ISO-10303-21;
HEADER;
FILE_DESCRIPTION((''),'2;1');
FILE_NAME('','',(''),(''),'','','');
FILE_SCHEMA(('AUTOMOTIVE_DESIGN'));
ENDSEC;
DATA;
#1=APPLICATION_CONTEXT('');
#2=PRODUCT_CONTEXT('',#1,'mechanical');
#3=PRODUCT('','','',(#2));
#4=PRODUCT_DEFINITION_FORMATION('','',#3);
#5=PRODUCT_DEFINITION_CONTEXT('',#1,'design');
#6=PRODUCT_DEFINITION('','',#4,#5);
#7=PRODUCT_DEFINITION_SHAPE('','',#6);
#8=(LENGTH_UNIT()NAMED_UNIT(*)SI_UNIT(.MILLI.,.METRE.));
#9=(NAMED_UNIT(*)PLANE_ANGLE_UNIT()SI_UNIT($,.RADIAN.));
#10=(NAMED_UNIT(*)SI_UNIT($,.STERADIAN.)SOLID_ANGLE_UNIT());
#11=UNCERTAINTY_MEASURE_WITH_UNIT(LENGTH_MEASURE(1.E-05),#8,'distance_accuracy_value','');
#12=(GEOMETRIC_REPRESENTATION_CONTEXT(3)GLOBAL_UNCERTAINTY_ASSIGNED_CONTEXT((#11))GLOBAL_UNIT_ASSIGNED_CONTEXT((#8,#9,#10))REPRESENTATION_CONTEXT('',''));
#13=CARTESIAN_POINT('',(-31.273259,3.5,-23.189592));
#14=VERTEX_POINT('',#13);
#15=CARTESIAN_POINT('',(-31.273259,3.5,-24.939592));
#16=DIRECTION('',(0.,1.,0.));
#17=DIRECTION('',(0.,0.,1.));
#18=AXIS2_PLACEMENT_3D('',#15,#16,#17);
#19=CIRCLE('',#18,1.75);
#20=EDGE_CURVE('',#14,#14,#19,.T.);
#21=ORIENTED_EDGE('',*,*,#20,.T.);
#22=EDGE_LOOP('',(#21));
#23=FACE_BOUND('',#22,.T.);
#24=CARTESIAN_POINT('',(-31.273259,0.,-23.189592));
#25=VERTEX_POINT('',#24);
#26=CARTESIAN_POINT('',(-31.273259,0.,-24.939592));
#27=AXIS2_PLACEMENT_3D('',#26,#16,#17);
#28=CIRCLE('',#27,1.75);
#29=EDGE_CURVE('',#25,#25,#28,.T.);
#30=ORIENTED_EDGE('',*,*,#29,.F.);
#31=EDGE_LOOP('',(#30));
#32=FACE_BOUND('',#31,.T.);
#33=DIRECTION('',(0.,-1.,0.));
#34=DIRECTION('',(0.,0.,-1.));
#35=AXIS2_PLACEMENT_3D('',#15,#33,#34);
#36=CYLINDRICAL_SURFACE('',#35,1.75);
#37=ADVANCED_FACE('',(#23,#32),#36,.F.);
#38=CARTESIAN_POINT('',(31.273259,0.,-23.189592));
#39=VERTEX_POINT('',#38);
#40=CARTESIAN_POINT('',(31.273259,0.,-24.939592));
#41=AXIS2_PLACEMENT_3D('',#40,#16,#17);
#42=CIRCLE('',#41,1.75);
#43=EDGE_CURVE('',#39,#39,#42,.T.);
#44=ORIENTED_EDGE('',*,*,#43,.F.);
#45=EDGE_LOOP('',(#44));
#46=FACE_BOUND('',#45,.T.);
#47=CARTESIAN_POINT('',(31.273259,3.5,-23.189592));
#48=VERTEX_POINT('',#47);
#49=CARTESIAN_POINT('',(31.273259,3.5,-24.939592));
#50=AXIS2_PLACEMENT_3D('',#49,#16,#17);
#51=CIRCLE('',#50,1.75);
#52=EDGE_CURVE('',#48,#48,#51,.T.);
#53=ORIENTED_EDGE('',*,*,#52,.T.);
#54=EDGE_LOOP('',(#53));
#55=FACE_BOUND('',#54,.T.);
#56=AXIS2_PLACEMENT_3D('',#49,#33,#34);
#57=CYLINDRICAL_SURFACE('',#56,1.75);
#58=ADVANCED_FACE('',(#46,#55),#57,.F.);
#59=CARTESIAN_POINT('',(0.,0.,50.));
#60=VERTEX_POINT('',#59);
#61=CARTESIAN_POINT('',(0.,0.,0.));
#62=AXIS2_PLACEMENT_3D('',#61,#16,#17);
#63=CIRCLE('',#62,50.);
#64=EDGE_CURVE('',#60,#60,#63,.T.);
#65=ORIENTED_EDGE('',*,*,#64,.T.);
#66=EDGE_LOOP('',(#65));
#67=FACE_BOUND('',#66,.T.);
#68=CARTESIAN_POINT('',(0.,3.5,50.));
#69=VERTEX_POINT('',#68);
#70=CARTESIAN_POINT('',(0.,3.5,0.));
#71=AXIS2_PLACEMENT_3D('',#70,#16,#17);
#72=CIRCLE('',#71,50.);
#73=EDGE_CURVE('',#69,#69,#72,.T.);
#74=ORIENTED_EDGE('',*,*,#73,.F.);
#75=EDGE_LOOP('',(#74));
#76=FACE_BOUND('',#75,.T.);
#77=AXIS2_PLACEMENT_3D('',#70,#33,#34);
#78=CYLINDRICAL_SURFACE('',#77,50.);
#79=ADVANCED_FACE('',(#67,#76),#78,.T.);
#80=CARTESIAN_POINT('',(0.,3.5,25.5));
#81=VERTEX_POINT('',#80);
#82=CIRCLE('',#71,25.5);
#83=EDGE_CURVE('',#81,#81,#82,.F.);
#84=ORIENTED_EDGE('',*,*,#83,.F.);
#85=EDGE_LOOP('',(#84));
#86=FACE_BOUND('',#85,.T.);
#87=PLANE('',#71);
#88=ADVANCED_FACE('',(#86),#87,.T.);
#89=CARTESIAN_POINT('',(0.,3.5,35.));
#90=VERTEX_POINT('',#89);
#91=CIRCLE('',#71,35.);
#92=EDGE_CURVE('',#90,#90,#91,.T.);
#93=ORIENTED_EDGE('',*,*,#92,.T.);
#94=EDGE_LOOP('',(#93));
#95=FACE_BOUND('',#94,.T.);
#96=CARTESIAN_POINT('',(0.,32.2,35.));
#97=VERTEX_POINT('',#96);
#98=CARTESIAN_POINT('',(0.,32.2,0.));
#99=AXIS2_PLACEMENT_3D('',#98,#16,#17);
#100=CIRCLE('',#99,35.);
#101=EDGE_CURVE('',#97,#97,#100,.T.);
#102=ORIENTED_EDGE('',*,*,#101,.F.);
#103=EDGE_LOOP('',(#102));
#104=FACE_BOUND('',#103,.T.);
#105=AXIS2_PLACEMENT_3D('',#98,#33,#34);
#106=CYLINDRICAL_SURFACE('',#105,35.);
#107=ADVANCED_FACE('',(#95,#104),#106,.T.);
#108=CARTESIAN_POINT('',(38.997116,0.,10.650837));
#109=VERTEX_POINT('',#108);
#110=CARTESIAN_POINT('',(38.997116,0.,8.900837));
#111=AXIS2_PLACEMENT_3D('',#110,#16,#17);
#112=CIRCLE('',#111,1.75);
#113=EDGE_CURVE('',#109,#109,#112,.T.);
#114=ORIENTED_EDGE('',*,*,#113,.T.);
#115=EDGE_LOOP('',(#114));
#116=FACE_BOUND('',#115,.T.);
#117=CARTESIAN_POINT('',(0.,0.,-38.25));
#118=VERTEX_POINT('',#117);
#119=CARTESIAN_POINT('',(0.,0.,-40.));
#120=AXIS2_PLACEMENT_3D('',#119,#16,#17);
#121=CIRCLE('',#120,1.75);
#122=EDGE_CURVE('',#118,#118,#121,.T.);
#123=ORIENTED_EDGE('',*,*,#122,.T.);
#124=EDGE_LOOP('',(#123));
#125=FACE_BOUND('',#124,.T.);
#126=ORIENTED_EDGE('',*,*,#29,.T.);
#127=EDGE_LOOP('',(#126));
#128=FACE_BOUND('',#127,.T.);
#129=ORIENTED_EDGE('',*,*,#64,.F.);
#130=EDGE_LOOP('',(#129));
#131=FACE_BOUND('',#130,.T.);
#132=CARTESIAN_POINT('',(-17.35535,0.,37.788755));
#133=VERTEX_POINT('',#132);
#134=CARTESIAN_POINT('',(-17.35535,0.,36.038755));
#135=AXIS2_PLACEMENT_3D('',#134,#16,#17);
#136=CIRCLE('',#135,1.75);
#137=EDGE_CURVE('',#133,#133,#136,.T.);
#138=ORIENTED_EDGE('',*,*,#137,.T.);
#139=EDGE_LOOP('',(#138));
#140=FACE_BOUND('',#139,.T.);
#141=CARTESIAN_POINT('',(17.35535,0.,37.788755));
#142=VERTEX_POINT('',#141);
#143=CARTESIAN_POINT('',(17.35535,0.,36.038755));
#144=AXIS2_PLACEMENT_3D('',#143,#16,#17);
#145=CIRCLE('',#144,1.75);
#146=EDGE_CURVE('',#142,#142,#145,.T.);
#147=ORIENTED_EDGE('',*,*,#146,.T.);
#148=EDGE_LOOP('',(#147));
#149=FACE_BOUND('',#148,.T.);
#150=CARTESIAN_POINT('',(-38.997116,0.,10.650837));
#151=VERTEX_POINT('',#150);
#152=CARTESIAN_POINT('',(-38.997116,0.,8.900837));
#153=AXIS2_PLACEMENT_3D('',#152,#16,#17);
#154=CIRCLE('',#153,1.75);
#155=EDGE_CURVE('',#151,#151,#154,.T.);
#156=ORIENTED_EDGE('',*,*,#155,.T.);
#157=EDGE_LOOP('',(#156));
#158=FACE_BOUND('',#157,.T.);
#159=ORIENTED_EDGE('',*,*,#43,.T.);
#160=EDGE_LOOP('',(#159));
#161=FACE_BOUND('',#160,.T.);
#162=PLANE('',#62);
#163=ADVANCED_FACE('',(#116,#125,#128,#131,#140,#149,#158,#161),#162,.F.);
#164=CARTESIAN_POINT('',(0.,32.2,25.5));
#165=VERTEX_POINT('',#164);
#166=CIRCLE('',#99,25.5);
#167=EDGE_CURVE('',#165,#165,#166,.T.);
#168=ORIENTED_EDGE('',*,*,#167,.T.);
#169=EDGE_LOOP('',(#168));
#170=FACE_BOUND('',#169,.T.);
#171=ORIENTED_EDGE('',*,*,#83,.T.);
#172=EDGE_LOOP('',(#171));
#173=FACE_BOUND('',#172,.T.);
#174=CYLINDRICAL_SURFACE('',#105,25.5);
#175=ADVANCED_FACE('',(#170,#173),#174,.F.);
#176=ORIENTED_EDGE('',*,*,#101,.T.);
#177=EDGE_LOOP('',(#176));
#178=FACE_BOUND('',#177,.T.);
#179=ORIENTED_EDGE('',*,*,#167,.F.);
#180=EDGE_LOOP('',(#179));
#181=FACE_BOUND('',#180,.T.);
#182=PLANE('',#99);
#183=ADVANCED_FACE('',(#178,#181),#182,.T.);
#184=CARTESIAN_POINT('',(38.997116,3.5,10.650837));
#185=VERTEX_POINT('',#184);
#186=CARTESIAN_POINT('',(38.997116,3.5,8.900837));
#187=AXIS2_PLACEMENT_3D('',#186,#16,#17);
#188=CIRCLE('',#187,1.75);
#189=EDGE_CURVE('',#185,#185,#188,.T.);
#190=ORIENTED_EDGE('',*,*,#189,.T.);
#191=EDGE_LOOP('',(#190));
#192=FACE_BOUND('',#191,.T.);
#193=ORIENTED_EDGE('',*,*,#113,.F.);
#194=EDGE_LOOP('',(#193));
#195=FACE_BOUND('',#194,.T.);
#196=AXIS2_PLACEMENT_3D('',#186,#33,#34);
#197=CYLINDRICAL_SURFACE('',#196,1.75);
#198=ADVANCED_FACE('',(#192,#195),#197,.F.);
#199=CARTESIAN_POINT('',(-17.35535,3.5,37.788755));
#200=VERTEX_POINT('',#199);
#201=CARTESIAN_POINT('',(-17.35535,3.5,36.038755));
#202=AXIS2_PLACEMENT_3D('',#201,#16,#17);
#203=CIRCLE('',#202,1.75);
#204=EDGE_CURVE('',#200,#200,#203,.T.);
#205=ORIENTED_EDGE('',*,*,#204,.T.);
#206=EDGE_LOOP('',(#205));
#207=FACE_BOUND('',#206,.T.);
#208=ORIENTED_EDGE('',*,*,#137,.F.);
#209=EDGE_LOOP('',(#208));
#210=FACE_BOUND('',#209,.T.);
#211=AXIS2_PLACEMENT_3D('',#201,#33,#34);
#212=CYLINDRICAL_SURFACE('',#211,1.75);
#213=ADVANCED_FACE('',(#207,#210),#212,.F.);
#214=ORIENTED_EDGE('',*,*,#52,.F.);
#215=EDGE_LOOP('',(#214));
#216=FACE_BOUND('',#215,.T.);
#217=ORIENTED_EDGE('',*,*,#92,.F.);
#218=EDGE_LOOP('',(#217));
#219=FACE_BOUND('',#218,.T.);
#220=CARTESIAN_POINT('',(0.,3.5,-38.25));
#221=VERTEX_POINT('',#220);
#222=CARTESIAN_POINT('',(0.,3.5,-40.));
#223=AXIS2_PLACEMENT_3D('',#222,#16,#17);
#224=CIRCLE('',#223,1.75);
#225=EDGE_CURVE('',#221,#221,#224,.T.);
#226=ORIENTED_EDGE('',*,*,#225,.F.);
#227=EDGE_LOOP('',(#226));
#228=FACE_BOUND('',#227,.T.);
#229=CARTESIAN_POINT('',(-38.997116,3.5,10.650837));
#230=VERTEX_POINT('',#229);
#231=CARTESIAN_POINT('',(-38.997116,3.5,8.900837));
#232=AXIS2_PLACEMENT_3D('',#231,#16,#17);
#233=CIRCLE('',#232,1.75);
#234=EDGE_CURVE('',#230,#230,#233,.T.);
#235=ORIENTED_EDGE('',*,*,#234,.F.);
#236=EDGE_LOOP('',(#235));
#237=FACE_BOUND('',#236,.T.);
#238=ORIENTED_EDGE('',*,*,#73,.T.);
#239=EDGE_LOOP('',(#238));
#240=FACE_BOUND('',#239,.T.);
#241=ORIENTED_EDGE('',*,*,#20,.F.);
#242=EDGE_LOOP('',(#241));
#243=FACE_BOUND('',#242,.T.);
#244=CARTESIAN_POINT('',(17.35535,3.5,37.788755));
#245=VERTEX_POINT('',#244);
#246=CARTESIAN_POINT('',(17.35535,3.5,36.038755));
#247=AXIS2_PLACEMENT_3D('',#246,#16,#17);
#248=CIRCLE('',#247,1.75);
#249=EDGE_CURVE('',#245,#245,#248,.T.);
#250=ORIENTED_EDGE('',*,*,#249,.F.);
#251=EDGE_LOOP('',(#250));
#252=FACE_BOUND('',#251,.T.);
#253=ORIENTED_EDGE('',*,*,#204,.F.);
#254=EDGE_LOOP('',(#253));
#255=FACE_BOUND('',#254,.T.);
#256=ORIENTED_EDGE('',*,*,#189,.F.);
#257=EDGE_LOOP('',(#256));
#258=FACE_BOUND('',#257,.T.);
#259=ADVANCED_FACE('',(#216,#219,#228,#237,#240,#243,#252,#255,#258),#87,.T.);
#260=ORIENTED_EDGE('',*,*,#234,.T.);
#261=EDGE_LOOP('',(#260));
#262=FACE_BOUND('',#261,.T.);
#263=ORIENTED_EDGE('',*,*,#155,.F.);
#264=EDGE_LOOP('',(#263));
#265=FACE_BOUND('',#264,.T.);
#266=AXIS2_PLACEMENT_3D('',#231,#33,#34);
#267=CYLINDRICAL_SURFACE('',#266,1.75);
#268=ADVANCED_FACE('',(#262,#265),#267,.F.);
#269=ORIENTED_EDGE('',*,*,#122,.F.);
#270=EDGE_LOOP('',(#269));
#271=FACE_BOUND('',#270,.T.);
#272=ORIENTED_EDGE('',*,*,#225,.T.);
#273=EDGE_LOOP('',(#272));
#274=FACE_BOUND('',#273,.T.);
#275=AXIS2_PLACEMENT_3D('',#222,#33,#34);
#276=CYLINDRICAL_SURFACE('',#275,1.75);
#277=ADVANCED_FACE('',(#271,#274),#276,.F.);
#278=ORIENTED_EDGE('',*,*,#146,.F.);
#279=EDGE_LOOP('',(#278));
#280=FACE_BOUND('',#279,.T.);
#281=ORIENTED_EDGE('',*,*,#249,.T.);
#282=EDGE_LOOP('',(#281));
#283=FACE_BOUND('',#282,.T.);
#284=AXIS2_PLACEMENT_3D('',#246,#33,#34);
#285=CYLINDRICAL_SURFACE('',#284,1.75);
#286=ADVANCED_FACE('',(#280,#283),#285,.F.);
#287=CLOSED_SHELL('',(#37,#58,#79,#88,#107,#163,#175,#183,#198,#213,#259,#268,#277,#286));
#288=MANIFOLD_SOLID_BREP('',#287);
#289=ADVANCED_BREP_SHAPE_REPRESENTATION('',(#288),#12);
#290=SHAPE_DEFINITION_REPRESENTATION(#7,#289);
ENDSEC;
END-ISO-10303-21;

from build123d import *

# Parameters (mm, degrees)
SKETCH1_R           = 50
SKETCH1_R_2         = 1.75
BOSS_EXTRUDE1_DEPTH = 3.5
SKETCH2_R           = 35
SKETCH2_R_2         = 25.5
BOSS_EXTRUDE3_DEPTH = 28.7


with BuildPart() as part:
    # Sketch1 → Boss-Extrude1 (new body)
    with BuildSketch(Plane(origin=(0, 0, 0), x_dir=(1, 0, 0), z_dir=(0, 1, 0))):
        with Locations(Location((0, 0, 0), (0, 0, 270))):
            Circle(SKETCH1_R)
        with Locations(Location((0, 40, 0), (0, 0, 270))):
            Circle(SKETCH1_R_2, mode=Mode.SUBTRACT)
        with Locations(Location((31.273259299, 24.939592074, 0), (0, 0, 270))):
            Circle(SKETCH1_R_2, mode=Mode.SUBTRACT)
        with Locations(Location((38.997116487, -8.900837358, 0), (0, 0, 270))):
            Circle(SKETCH1_R_2, mode=Mode.SUBTRACT)
        with Locations(Location((17.355349565, -36.038754716, 0), (0, 0, 270))):
            Circle(SKETCH1_R_2, mode=Mode.SUBTRACT)
        with Locations(Location((-17.355349565, -36.038754716, 0), (0, 0, 270))):
            Circle(SKETCH1_R_2, mode=Mode.SUBTRACT)
        with Locations(Location((-38.997116487, -8.900837358, 0), (0, 0, 270))):
            Circle(SKETCH1_R_2, mode=Mode.SUBTRACT)
        with Locations(Location((-31.273259299, 24.939592074, 0), (0, 0, 270))):
            Circle(SKETCH1_R_2, mode=Mode.SUBTRACT)
    extrude(amount=BOSS_EXTRUDE1_DEPTH)

    # Sketch2 → Boss-Extrude3 (add)
    with BuildSketch(Plane(origin=(0, 3.5, 0), x_dir=(1, 0, 0), z_dir=(0, 1, 0))):
        with Locations(Location((0, 0, 0), (0, 0, 270))):
            Circle(SKETCH2_R)
        with Locations(Location((0, 0, 0), (0, 0, 270))):
            Circle(SKETCH2_R_2, mode=Mode.SUBTRACT)
    extrude(amount=BOSS_EXTRUDE3_DEPTH)


solid = part.part
